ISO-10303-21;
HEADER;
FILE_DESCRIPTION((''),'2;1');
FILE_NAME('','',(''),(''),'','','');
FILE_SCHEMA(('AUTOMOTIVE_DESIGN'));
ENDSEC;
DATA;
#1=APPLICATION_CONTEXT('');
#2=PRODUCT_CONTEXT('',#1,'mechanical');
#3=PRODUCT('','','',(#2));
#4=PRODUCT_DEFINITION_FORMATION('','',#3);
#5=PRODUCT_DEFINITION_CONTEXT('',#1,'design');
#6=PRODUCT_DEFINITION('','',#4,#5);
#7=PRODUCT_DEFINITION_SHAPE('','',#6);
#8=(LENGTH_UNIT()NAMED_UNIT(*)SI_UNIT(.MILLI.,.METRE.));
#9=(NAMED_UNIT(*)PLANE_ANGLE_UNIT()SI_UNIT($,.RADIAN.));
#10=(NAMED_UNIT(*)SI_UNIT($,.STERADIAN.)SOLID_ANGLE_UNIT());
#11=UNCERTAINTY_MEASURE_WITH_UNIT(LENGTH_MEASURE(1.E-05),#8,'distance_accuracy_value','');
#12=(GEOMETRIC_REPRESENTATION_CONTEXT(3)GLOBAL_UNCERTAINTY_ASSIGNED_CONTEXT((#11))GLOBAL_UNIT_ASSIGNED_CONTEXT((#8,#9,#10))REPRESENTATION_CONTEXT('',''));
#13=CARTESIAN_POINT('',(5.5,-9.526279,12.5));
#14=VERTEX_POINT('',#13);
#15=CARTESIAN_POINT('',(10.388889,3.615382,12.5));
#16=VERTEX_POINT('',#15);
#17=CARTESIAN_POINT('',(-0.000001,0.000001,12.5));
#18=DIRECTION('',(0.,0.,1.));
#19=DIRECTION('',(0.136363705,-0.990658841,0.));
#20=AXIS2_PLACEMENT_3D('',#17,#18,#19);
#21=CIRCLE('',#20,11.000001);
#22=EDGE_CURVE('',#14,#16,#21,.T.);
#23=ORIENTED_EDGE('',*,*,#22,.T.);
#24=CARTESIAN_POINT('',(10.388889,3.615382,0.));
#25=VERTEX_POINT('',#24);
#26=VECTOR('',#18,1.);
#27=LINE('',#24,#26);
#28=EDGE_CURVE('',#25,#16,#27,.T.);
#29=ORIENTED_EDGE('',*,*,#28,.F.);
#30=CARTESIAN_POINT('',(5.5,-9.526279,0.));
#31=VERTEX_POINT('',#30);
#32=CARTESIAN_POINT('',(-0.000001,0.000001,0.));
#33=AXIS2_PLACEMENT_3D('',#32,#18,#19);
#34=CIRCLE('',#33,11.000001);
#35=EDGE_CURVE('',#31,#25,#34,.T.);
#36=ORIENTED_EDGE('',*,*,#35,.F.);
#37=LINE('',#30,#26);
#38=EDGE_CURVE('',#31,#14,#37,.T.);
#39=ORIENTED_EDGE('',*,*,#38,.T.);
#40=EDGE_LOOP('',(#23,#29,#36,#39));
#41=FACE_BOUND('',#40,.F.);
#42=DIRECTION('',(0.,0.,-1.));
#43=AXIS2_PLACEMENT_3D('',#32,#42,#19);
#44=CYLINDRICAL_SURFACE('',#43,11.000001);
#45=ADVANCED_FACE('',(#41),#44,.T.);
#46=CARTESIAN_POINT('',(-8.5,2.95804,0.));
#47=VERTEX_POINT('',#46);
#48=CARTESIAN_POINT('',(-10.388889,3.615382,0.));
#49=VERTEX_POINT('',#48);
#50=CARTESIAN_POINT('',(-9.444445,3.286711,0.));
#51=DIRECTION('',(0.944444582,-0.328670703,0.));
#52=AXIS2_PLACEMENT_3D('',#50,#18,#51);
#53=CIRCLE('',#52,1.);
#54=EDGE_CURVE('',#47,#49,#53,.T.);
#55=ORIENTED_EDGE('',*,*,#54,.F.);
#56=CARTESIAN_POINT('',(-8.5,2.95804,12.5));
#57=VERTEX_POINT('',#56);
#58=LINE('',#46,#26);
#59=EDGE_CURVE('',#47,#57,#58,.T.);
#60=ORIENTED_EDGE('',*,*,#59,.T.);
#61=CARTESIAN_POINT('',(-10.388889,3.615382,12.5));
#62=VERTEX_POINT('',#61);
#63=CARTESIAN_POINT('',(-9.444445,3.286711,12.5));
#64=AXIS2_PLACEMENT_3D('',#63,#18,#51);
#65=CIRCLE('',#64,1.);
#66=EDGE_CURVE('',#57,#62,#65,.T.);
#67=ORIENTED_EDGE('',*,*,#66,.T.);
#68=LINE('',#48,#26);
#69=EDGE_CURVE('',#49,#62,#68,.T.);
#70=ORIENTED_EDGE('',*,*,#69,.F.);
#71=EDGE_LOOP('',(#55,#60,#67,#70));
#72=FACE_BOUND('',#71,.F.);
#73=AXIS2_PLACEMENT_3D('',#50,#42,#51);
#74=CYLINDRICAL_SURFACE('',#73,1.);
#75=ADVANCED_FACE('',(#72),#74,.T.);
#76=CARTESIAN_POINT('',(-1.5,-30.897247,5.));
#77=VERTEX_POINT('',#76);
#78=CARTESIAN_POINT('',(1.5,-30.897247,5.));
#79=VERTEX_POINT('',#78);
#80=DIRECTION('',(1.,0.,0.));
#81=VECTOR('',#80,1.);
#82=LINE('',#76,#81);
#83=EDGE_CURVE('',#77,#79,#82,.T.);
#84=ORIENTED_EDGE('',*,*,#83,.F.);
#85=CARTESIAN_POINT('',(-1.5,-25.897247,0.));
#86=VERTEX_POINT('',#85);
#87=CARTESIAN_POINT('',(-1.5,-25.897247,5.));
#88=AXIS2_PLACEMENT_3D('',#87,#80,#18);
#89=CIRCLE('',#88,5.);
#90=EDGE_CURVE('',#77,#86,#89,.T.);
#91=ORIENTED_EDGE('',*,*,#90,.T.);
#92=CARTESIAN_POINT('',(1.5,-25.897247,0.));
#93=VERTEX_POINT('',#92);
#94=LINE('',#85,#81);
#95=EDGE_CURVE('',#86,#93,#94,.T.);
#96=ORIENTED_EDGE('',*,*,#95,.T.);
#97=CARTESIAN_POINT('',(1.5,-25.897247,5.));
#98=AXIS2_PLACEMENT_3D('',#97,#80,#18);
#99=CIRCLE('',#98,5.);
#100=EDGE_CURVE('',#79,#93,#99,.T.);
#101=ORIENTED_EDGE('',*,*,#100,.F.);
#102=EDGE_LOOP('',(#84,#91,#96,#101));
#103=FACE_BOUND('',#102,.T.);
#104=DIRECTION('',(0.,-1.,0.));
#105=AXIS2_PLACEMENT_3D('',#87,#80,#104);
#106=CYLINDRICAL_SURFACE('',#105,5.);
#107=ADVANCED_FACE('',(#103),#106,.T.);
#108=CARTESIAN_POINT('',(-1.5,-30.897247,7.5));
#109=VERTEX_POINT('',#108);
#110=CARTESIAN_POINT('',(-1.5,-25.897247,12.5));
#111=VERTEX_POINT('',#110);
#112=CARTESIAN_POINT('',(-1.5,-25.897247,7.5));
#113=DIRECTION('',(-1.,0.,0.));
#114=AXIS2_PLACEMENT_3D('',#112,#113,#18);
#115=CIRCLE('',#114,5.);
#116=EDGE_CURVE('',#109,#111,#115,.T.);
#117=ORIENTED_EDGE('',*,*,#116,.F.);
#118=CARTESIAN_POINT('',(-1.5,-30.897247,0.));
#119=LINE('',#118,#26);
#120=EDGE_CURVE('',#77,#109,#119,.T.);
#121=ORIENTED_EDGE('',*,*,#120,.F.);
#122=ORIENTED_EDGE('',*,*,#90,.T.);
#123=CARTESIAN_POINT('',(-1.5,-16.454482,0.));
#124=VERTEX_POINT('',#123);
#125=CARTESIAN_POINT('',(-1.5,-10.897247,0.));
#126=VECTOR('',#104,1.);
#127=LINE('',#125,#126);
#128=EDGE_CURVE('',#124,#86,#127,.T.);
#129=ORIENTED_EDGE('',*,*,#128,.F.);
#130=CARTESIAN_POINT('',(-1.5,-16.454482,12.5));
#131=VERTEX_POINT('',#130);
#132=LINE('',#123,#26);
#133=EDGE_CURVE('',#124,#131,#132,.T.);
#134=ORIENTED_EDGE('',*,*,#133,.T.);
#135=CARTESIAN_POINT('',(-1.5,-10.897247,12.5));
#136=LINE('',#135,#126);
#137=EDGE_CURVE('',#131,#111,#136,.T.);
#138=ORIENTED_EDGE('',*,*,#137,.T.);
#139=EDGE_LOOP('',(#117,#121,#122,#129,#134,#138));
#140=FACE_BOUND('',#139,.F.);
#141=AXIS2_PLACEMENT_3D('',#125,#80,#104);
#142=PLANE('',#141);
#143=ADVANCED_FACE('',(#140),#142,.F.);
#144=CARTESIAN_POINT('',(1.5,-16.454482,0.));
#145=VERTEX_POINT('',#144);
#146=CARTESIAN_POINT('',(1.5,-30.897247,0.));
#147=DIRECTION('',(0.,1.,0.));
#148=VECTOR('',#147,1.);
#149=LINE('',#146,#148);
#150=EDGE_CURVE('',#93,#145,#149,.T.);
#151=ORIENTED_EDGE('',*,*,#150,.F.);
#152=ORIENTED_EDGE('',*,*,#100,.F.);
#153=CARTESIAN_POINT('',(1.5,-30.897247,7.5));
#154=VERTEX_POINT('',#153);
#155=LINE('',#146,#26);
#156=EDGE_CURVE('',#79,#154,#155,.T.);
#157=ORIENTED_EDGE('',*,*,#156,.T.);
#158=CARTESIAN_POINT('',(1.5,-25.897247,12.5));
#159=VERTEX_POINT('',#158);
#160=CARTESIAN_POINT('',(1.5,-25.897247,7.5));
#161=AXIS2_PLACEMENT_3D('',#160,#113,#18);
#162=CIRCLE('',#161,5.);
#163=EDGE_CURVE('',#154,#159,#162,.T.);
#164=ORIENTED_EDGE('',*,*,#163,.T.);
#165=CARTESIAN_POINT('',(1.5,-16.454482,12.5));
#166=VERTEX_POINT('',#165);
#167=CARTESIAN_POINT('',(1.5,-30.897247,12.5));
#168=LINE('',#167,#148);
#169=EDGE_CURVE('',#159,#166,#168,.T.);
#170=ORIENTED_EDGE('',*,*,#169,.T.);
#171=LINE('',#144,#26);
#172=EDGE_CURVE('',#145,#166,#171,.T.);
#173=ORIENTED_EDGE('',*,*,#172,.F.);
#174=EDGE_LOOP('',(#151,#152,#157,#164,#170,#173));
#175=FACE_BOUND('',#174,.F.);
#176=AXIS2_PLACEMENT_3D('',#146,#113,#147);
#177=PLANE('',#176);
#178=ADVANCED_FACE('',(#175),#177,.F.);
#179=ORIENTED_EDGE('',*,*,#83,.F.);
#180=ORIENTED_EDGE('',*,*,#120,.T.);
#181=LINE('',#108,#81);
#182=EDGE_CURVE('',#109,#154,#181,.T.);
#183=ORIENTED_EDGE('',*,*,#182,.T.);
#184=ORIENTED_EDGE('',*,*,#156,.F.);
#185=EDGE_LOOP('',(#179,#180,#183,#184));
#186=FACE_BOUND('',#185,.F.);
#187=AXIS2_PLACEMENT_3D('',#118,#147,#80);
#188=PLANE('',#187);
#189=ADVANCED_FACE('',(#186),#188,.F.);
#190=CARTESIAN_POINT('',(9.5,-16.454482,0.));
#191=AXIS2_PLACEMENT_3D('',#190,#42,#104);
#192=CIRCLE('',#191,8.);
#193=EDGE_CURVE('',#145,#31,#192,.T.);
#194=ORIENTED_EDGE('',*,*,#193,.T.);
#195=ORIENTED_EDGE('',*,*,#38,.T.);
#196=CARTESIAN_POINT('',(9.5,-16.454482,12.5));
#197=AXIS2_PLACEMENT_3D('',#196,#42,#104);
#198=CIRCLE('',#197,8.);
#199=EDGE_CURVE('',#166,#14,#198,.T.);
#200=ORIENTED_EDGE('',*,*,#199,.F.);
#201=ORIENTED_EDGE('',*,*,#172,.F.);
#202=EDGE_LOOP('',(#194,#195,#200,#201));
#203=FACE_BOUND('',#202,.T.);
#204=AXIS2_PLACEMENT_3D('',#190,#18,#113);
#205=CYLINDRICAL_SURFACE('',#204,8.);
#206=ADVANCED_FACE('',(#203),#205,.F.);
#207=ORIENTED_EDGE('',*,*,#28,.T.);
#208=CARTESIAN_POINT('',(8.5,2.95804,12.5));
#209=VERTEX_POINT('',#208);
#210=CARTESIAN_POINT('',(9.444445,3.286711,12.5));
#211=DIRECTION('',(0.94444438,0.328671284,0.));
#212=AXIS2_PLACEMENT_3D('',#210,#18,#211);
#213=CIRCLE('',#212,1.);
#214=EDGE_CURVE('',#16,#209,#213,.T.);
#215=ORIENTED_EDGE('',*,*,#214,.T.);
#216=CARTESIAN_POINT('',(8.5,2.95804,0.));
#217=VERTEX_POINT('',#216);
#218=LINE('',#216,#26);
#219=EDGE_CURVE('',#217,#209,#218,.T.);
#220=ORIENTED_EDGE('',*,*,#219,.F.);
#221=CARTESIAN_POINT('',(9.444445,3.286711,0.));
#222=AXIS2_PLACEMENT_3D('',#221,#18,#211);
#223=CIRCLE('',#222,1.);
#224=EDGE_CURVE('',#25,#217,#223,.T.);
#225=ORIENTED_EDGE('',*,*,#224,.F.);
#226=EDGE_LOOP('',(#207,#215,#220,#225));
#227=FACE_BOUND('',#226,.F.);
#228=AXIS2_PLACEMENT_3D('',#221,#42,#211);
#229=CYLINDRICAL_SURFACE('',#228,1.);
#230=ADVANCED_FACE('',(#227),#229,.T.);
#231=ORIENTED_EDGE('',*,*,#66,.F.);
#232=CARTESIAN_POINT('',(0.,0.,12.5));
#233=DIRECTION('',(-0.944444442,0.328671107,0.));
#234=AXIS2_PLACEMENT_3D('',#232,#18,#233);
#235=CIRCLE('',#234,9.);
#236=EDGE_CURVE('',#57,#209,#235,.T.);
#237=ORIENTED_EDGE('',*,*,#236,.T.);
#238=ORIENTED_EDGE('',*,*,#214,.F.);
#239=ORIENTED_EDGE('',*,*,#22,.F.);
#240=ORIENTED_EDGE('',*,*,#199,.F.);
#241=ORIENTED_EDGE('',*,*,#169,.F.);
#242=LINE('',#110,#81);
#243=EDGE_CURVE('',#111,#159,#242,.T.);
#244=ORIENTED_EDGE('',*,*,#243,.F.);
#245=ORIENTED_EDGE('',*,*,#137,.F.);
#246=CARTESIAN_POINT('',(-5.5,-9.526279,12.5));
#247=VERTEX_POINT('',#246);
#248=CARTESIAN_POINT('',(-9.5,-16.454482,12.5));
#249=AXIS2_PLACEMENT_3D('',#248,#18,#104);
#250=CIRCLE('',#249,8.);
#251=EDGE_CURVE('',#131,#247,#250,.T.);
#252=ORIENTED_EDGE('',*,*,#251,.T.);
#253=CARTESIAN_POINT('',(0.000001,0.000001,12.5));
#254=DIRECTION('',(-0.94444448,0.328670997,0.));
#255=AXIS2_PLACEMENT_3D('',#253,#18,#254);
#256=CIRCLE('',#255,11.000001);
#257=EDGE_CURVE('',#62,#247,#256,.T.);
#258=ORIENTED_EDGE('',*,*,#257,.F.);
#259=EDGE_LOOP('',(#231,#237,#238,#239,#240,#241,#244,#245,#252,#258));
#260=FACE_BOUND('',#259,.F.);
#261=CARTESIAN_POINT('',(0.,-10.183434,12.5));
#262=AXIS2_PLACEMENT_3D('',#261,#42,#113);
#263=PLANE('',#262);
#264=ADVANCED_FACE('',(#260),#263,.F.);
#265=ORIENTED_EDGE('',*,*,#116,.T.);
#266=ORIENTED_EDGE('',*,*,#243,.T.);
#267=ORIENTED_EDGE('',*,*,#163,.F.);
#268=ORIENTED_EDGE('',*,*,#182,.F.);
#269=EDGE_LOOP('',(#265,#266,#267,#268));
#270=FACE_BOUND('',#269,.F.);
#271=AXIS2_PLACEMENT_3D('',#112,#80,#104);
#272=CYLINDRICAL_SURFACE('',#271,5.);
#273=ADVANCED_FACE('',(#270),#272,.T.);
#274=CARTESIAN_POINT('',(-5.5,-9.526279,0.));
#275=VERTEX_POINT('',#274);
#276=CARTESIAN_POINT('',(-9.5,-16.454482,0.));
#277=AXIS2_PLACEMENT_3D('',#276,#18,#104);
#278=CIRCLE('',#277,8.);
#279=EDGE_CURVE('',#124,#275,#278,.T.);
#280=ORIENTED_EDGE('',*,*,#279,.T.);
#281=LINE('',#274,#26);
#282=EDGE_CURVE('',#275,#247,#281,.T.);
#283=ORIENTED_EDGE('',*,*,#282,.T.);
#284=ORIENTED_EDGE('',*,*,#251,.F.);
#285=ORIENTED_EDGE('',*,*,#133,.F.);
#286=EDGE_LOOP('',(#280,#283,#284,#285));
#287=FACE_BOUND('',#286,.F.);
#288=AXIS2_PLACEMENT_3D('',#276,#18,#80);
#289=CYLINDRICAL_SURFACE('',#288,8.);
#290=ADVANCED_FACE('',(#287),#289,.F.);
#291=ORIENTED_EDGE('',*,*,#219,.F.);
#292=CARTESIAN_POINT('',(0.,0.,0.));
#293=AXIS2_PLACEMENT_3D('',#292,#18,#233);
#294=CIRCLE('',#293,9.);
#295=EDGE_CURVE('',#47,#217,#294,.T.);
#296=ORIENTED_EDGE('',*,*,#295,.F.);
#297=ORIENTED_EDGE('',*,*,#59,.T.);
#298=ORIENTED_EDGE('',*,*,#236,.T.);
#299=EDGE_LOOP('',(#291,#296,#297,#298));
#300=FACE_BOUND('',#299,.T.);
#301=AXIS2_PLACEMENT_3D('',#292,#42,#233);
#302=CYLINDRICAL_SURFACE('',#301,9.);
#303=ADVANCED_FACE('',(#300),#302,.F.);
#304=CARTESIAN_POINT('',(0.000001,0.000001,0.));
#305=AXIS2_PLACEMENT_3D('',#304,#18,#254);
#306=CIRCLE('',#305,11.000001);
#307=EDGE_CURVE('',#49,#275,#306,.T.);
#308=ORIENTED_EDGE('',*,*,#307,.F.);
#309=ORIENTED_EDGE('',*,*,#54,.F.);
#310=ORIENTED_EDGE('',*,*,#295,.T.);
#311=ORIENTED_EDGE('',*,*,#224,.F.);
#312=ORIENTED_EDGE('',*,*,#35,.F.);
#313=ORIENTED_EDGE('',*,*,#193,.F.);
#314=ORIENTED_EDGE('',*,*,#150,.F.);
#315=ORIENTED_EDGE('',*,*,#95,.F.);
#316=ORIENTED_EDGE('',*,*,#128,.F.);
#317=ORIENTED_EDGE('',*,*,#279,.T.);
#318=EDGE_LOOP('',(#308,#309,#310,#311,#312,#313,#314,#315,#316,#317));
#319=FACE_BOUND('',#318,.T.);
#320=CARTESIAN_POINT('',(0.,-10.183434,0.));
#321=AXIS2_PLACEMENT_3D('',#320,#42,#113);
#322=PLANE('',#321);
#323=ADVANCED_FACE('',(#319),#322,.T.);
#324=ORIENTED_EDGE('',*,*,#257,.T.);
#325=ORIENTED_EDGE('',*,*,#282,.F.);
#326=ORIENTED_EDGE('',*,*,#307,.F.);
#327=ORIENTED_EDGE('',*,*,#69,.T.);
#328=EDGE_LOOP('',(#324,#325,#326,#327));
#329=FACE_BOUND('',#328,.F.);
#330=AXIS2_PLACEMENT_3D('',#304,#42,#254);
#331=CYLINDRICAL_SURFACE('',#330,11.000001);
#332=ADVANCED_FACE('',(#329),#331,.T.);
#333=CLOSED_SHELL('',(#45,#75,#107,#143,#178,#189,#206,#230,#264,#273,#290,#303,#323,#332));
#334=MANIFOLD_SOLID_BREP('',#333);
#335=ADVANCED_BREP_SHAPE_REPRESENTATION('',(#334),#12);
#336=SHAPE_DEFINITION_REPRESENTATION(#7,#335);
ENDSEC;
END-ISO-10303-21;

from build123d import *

# Parameters (mm, degrees)
PAD_DEPTH   = 12.5
FILLET_R    = 5
FILLET001_R = 8


with BuildPart() as part:
    # Sketch → Pad (new body)
    with BuildSketch(Plane.XY):
        with BuildLine():
            ThreePointArc((-8.5, 2.95804), (0, -9), (8.5, 2.95804))
            ThreePointArc((10.388889, 3.615382), (9.115773, 4.231155), (8.5, 2.95804))
            ThreePointArc((1.5, -10.897247), (9.380326, -5.745387), (10.388889, 3.615382))
            Line((1.5, -30.897247), (1.5, -10.897247))
            Line((-1.5, -30.897247), (1.5, -30.897247))
            Line((-1.5, -10.897247), (-1.5, -30.897247))
            ThreePointArc((-10.388889, 3.615382), (-9.380326, -5.745387), (-1.5, -10.897247))
            ThreePointArc((-8.5, 2.95804), (-9.115773, 4.231155), (-10.388889, 3.615382))
        make_face()
    extrude(amount=PAD_DEPTH)

    # Fillet
    fillet_edges = [part.edges().sort_by_distance(p)[0] for p in [
        (0, -30.897247, 0),
        (0, -30.897247, 12.5),
    ]]
    fillet(fillet_edges, radius=FILLET_R)

    # Fillet001
    fillet001_edges = [part.edges().sort_by_distance(p)[0] for p in [
        (1.5, -10.897247, 6.25),
        (-1.5, -10.897247, 6.25),
    ]]
    fillet(fillet001_edges, radius=FILLET001_R)


solid = part.part
